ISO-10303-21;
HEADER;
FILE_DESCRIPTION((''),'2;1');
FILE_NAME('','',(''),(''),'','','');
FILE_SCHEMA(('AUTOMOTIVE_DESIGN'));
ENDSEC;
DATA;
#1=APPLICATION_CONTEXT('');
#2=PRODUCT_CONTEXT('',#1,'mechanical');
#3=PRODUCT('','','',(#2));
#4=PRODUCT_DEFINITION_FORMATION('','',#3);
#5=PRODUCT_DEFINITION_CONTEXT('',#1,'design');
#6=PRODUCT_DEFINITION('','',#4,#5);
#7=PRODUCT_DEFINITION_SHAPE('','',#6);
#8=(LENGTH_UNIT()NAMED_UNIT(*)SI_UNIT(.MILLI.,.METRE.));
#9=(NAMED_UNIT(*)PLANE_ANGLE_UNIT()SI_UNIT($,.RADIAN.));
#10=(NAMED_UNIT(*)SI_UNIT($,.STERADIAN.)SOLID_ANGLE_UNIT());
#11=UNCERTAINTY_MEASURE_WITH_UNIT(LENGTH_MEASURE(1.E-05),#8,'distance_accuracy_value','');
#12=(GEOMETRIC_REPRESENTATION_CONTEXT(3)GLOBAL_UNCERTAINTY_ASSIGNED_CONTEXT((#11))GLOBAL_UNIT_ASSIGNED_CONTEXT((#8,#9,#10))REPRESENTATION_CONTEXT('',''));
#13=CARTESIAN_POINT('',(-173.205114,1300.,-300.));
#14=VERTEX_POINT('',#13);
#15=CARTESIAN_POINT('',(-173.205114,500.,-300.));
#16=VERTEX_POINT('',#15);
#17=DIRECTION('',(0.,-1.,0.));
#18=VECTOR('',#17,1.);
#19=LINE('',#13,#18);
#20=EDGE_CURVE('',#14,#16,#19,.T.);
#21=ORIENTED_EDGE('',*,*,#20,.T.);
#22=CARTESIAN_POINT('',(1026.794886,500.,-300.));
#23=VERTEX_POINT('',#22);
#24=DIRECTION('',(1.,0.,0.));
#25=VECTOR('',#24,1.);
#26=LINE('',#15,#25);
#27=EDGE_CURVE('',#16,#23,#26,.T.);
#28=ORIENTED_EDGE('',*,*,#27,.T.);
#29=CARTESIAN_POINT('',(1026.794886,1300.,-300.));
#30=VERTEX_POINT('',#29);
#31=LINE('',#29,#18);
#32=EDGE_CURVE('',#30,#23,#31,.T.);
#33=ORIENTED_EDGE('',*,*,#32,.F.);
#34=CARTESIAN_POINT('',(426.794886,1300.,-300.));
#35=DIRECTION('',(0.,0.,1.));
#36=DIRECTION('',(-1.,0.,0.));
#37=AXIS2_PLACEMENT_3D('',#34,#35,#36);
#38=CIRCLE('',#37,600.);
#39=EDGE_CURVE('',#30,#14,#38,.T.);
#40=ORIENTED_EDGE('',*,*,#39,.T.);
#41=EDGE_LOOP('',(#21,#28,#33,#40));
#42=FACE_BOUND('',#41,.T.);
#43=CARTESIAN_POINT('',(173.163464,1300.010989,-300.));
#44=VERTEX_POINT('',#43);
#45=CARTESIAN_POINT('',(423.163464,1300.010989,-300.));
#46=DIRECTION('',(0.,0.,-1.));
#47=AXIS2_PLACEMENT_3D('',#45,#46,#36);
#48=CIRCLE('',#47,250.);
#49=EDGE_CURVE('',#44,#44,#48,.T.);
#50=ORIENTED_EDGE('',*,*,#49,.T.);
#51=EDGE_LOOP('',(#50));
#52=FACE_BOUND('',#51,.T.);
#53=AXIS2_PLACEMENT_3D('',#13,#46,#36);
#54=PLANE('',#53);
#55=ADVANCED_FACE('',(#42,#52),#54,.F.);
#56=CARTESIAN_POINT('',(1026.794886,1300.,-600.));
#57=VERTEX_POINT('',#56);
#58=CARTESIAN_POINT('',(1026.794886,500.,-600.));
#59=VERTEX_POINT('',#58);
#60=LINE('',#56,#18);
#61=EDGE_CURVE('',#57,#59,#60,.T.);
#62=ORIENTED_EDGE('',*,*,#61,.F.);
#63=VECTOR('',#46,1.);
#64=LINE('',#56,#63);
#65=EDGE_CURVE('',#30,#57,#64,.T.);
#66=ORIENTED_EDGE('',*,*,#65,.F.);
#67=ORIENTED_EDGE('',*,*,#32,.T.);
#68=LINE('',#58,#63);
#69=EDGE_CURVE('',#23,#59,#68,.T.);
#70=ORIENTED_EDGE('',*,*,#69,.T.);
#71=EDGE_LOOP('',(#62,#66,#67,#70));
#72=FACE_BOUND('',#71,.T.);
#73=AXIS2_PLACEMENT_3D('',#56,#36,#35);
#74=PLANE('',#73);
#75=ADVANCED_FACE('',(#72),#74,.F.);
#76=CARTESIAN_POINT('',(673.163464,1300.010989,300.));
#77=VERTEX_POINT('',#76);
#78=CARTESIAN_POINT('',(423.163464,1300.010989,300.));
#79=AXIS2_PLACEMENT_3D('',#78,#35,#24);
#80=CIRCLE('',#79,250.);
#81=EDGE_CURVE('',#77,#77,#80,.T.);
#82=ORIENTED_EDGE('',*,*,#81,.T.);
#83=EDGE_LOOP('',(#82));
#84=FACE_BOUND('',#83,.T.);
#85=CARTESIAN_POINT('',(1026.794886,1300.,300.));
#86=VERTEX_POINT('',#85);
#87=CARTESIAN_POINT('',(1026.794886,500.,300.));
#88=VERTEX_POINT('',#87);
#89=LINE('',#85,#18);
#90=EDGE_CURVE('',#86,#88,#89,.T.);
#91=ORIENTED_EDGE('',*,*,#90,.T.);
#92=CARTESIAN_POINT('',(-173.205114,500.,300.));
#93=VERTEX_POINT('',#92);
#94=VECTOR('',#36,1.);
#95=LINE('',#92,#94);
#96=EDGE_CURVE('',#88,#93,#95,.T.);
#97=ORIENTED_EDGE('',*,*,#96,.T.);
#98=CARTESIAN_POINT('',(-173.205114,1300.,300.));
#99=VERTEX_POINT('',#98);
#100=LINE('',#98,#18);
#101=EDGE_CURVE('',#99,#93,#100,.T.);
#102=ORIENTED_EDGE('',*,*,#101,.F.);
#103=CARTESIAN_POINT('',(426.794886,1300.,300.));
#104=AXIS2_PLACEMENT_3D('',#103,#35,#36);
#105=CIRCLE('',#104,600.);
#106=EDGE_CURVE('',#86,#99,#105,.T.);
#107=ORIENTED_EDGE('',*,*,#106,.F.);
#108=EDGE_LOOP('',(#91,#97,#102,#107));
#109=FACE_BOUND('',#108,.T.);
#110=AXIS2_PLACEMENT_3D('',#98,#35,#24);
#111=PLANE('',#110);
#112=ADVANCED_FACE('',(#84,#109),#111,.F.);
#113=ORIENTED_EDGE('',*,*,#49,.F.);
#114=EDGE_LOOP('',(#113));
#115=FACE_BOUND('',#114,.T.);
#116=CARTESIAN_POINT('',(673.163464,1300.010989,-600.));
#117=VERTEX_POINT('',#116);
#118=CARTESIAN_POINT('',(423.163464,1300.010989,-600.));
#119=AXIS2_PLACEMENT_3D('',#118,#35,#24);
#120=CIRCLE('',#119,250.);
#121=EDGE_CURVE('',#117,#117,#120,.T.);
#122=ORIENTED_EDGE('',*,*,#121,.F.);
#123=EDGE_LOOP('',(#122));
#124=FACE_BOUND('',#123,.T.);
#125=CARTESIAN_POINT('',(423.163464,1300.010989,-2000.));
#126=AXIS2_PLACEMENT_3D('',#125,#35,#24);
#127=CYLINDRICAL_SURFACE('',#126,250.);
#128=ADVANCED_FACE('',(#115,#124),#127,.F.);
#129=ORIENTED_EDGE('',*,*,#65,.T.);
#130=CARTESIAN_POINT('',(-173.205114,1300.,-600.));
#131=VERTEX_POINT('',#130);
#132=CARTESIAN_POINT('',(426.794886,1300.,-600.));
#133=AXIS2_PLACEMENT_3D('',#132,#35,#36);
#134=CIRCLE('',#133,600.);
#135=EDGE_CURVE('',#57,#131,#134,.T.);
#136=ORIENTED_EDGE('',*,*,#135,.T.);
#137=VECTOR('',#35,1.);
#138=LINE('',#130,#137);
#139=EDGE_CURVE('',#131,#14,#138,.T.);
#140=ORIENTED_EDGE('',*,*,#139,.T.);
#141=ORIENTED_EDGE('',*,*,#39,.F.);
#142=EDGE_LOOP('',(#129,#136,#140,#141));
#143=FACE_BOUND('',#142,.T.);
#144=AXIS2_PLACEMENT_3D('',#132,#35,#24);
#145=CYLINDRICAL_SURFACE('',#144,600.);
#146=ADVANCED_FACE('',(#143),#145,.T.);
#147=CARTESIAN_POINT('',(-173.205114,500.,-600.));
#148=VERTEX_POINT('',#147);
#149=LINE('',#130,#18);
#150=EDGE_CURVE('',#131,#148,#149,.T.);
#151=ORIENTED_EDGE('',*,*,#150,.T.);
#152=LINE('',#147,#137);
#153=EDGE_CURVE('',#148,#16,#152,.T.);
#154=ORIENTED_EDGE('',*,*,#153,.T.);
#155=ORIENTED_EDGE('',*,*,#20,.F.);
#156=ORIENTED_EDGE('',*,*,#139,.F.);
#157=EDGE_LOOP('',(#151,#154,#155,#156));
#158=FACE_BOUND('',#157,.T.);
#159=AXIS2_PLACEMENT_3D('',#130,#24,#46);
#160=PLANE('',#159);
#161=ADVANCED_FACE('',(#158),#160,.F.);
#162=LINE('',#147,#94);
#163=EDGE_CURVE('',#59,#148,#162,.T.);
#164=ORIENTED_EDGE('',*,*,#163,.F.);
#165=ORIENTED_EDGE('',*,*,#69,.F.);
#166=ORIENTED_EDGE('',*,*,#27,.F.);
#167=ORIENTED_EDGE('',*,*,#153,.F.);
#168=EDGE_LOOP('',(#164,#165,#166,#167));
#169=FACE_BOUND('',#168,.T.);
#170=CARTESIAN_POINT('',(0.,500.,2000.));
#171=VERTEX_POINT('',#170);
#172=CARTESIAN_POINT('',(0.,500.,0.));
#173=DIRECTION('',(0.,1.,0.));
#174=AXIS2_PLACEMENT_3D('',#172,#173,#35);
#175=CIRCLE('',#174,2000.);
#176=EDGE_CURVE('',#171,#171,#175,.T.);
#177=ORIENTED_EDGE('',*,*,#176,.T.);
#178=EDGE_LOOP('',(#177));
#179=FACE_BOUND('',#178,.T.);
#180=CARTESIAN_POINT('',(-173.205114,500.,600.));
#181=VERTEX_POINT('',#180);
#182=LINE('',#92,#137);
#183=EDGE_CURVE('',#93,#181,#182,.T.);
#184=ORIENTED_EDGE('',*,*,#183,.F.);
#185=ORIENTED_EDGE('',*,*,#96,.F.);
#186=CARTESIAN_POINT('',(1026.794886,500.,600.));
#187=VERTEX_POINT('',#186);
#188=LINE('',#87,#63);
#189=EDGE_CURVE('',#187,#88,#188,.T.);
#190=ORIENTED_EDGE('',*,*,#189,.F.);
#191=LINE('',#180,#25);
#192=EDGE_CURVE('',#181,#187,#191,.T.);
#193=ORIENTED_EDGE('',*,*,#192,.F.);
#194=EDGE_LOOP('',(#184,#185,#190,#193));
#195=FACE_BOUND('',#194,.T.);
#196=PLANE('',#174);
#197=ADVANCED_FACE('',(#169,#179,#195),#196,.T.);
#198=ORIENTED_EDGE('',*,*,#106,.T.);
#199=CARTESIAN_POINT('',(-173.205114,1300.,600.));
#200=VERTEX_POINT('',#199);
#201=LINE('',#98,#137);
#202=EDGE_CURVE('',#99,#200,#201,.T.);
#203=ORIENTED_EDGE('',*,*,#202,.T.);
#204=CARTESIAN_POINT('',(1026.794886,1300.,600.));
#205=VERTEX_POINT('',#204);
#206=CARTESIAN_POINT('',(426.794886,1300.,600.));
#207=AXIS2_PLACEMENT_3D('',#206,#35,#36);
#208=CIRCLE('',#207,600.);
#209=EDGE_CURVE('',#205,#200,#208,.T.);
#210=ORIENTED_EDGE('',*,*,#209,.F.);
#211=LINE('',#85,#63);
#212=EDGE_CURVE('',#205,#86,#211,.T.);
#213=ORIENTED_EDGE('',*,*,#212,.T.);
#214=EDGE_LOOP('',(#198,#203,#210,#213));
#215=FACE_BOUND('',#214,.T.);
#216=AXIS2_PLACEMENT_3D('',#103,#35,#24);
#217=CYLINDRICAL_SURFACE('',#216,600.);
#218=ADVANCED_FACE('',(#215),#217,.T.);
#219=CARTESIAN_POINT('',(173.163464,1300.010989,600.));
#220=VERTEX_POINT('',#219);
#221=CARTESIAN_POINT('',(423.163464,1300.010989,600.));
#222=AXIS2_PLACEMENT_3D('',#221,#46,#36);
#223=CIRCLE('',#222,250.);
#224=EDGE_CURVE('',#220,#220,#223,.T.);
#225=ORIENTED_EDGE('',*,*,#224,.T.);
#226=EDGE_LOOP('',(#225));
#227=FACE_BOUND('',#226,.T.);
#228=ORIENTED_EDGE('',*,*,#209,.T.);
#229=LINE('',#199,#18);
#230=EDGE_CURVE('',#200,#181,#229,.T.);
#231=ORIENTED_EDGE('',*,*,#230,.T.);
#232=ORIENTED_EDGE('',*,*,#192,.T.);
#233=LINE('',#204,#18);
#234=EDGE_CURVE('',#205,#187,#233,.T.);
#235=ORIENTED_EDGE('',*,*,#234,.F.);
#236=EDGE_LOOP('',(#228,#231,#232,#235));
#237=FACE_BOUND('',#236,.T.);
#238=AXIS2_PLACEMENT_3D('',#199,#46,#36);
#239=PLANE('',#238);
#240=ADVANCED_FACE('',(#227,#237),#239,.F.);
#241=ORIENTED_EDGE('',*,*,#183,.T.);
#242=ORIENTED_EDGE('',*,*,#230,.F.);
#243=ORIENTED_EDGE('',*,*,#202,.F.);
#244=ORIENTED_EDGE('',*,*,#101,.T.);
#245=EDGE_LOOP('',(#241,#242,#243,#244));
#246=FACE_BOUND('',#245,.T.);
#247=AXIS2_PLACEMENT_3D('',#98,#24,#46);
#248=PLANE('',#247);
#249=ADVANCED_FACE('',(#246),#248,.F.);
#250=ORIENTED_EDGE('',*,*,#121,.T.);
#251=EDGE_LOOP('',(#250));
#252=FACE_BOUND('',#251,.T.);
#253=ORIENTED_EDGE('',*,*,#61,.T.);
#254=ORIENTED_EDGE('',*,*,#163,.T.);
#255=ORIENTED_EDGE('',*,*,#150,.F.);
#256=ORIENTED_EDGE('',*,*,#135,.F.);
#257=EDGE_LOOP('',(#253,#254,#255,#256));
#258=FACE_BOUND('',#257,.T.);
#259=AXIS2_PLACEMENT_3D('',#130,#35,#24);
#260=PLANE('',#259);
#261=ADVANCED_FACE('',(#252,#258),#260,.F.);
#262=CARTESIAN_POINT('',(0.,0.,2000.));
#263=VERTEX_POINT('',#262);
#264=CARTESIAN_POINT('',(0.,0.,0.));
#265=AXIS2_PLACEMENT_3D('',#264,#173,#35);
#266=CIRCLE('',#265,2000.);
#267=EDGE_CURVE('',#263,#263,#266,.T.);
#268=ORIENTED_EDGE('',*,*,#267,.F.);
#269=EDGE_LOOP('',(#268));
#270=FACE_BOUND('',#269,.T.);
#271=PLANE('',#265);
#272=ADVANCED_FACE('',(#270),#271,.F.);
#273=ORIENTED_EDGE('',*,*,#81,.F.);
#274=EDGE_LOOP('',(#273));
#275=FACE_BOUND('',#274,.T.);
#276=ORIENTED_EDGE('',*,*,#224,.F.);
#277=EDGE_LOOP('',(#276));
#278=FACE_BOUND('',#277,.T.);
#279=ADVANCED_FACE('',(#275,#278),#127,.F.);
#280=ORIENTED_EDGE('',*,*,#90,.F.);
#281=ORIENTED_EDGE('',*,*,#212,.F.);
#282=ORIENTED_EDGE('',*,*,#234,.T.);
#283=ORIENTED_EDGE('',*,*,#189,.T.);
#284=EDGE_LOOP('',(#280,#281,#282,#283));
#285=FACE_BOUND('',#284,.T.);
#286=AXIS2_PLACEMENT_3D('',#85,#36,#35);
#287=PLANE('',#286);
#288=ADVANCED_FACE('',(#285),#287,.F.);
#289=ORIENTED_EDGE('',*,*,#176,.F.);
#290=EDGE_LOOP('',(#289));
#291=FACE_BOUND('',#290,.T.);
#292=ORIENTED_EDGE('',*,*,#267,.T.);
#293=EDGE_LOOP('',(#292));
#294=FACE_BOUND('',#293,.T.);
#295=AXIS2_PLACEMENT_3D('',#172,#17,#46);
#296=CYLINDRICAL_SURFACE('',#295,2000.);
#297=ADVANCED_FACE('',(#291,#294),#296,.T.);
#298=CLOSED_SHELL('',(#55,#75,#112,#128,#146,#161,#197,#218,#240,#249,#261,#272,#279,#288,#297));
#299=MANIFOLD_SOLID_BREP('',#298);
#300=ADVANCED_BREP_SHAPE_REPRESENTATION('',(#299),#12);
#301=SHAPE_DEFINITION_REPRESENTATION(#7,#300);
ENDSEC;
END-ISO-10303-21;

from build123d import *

# Parameters (mm, degrees)
SKETCH3_R               = 2000
BOSS_EXTRUDE1_DEPTH     = 500
SKETCH4_W               = 1200
SKETCH4_H               = 300
BOSS_EXTRUDE2_DEPTH     = 800
BOSS_EXTRUDE3_DEPTH     = 300
SKETCH11_W              = 1200
SKETCH11_H              = 300
BOSS_EXTRUDE4_DEPTH     = 800
BOSS_EXTRUDE5_DEPTH     = 300
CUT_EXTRUDE1_DEPTH      = 3791.778284205
CUT_EXTRUDE1_DEPTH_BACK = 3791.778284205
SKETCH13_R              = 250


with BuildPart() as part:
    # Sketch3 → Boss-Extrude1 (new body)
    with BuildSketch(Plane(origin=(0, 0, 0), x_dir=(1, 0, 0), z_dir=(0, 1, 0))):
        with Locations(Location((0, 0, 0), (0, 0, 270))):
            Circle(SKETCH3_R)
    extrude(amount=BOSS_EXTRUDE1_DEPTH)

    # Sketch4 → Boss-Extrude2 (add)
    with BuildSketch(Plane(origin=(0, 500, 0), x_dir=(1, 0, 0), z_dir=(0, 1, 0))):
        with Locations((426.794885591, 450)):
            Rectangle(SKETCH4_W, SKETCH4_H)
    extrude(amount=BOSS_EXTRUDE2_DEPTH)

    # Sketch6 → Boss-Extrude3 (add)
    with BuildSketch(Plane.XY.offset(-300)):
        with BuildLine():
            Line((-173.205114409, 500), (1026.794885591, 500))
            Line((1026.794885591, 500), (1026.794885591, 1300))
            ThreePointArc((1026.794885591, 1300), (426.794885591, 1900), (-173.205114409, 1300))
            Line((-173.205114409, 1300), (-173.205114409, 500))
        make_face()
    extrude(amount=-BOSS_EXTRUDE3_DEPTH)

    # Sketch11 → Boss-Extrude4 (add)
    with BuildSketch(Plane(origin=(0, 500, 0), x_dir=(1, 0, 0), z_dir=(0, 1, 0))):
        with Locations((426.794885591, -450)):
            Rectangle(SKETCH11_W, SKETCH11_H)
    extrude(amount=BOSS_EXTRUDE4_DEPTH)

    # Sketch12 → Boss-Extrude5 (add)
    with BuildSketch(Plane.XY.offset(600)):
        with BuildLine():
            Line((-173.205114409, 1300), (1026.794885591, 1300))
            ThreePointArc((1026.794885591, 1300), (426.794885591, 1900), (-173.205114409, 1300))
        make_face()
    extrude(amount=-BOSS_EXTRUDE5_DEPTH)

    # Sketch13 → Cut-Extrude1 (cut, two sides: drawn at the far end of the back side and taken through both)
    with BuildSketch(Plane.XY.offset(600).offset(-CUT_EXTRUDE1_DEPTH_BACK)):
        with Locations((423.16346406, 1300.010989453)):
            Circle(SKETCH13_R)
    extrude(amount=CUT_EXTRUDE1_DEPTH + CUT_EXTRUDE1_DEPTH_BACK, mode=Mode.SUBTRACT)


solid = part.part
